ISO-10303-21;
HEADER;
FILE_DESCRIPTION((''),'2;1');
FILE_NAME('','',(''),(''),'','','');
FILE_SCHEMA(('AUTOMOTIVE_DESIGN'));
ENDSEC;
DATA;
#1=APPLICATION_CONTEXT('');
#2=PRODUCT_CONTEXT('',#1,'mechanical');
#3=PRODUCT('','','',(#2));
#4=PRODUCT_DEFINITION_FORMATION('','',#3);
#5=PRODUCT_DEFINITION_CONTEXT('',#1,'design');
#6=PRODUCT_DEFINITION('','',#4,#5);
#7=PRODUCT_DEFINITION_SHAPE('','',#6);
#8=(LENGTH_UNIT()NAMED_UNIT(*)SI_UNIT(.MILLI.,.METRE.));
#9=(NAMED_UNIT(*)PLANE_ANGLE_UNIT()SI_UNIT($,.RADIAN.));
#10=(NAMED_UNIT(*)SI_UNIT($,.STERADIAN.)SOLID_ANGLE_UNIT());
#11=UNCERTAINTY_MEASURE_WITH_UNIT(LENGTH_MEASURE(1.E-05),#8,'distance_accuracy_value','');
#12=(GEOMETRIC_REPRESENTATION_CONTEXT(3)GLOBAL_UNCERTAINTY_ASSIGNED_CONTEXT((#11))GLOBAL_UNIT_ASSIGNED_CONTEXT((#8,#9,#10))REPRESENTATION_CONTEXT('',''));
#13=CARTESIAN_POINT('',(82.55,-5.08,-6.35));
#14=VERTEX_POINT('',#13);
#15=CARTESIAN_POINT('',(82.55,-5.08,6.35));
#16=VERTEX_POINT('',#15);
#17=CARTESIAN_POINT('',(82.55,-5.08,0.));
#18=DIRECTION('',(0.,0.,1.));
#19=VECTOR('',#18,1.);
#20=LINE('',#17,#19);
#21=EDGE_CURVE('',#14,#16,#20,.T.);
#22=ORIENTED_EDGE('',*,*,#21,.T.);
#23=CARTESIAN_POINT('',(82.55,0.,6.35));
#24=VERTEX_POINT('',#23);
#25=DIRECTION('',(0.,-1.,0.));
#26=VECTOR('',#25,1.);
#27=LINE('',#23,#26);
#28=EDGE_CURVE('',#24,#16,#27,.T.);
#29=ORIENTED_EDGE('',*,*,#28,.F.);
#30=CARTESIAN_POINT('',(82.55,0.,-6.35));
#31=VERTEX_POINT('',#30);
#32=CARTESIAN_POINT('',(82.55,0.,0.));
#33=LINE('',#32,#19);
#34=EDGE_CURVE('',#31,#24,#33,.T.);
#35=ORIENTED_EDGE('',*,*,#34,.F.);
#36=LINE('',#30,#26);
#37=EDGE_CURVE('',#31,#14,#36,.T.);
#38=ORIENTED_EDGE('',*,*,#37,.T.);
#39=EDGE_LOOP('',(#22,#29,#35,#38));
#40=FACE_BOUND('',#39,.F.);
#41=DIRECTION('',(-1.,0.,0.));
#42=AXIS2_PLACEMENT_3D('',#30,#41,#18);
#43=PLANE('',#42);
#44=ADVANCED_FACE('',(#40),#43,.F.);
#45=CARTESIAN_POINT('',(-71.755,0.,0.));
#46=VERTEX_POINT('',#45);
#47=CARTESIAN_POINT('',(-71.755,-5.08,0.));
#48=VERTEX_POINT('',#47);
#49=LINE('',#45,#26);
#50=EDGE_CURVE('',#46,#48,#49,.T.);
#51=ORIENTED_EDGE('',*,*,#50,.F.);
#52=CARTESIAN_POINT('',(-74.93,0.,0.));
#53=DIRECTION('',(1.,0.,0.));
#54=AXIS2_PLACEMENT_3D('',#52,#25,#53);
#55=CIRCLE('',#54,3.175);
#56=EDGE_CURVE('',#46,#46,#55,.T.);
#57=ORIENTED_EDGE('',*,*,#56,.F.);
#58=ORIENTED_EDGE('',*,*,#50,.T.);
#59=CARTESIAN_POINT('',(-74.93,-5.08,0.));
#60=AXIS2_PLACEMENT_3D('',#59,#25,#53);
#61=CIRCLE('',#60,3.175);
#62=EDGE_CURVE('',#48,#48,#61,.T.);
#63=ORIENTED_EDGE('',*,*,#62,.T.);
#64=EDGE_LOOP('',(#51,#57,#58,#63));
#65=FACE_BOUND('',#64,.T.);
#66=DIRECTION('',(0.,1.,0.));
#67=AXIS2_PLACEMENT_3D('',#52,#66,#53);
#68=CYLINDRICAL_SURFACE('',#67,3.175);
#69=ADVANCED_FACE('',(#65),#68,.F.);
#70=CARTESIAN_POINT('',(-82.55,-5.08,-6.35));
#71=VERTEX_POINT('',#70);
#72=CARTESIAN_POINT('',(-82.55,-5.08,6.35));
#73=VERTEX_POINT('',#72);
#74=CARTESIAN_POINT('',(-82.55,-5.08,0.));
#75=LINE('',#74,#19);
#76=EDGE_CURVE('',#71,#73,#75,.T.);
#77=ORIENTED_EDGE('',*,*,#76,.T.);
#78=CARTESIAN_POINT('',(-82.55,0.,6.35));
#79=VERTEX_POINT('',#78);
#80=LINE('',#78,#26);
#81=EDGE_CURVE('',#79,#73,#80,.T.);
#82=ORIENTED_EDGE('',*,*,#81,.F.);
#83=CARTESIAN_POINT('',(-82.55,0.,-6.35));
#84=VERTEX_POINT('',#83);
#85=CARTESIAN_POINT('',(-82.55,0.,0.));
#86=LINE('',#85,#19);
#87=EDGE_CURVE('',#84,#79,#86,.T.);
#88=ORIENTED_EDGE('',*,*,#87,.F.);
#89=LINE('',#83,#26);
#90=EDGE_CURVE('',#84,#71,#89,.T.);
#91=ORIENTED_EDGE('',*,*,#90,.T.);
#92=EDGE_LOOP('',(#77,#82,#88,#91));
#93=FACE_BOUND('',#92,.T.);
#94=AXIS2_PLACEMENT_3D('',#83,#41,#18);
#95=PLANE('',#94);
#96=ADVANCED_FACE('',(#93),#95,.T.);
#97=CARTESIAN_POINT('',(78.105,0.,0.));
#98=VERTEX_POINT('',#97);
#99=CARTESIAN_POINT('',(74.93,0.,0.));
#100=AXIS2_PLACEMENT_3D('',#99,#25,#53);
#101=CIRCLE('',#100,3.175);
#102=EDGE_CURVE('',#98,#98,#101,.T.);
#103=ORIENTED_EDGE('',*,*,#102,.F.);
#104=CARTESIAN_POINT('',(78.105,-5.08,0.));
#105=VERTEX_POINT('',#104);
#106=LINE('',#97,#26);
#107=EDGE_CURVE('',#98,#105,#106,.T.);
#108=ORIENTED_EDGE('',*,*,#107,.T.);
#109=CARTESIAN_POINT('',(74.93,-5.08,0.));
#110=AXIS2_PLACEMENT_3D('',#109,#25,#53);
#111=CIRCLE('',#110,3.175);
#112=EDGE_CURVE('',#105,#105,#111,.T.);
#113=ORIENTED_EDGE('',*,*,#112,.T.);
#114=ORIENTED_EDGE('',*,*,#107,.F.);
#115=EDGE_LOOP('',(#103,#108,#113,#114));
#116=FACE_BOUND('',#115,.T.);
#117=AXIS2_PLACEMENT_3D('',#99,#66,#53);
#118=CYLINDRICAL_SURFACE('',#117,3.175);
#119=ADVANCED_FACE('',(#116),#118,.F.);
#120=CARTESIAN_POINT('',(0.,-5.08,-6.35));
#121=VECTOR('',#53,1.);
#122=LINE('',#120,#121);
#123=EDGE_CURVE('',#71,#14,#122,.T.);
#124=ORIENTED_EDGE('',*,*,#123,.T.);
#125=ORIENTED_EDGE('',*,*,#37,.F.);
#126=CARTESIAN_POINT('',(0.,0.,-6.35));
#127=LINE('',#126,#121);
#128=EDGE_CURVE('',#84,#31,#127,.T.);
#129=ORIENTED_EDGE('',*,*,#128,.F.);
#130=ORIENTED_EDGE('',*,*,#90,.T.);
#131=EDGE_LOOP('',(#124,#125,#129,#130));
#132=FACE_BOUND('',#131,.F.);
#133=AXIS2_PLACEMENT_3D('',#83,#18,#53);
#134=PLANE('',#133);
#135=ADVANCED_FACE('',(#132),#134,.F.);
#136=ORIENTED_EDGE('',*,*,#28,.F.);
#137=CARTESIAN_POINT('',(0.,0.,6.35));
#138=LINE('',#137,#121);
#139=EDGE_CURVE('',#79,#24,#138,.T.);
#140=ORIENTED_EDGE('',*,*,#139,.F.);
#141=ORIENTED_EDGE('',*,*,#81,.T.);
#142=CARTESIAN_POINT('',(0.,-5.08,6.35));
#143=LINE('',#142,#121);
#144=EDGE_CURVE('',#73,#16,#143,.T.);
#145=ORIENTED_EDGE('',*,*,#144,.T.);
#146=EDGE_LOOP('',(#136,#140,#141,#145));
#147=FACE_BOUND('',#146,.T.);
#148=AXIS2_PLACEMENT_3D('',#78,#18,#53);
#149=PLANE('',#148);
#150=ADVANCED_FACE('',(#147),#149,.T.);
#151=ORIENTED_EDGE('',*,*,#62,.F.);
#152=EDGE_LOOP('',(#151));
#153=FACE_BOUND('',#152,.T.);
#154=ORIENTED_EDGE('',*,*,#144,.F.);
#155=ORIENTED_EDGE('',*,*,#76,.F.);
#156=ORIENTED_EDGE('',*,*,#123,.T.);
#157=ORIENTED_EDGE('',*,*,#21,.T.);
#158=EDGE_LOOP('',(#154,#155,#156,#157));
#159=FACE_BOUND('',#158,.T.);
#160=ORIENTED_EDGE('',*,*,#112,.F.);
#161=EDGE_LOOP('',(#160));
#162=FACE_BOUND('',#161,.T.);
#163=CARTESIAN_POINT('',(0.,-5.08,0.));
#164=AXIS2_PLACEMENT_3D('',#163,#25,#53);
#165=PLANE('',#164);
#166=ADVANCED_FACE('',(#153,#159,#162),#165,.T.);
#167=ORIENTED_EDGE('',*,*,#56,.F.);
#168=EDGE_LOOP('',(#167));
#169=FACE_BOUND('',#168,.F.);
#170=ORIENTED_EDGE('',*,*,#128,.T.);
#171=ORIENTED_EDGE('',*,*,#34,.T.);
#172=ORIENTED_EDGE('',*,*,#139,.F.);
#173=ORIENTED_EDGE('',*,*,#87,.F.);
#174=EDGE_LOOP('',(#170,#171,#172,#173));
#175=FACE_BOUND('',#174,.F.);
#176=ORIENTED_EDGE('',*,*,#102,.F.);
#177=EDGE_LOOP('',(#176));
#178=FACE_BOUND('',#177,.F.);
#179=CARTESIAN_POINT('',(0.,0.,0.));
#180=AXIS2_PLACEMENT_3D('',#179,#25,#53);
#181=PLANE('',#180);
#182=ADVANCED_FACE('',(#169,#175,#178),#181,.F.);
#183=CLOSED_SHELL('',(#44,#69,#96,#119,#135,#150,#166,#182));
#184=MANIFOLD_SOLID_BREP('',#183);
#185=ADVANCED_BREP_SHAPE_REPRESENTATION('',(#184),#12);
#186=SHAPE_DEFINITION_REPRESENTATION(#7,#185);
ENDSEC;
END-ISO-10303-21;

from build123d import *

# Parameters (mm, degrees)
F0_W     = 165.1
F0_H     = 12.7
F0_R     = 3.175
F1_DEPTH = 5.08


with BuildPart() as f1:
    # F0 (on Front) → F1 (new body)
    with BuildSketch(Plane.XZ):
        Rectangle(F0_W, F0_H)
        with Locations((-74.93, 0)):
            Circle(F0_R, mode=Mode.SUBTRACT)
        with Locations((74.93, 0)):
            Circle(F0_R, mode=Mode.SUBTRACT)
    extrude(amount=F1_DEPTH)


solid = f1.part
